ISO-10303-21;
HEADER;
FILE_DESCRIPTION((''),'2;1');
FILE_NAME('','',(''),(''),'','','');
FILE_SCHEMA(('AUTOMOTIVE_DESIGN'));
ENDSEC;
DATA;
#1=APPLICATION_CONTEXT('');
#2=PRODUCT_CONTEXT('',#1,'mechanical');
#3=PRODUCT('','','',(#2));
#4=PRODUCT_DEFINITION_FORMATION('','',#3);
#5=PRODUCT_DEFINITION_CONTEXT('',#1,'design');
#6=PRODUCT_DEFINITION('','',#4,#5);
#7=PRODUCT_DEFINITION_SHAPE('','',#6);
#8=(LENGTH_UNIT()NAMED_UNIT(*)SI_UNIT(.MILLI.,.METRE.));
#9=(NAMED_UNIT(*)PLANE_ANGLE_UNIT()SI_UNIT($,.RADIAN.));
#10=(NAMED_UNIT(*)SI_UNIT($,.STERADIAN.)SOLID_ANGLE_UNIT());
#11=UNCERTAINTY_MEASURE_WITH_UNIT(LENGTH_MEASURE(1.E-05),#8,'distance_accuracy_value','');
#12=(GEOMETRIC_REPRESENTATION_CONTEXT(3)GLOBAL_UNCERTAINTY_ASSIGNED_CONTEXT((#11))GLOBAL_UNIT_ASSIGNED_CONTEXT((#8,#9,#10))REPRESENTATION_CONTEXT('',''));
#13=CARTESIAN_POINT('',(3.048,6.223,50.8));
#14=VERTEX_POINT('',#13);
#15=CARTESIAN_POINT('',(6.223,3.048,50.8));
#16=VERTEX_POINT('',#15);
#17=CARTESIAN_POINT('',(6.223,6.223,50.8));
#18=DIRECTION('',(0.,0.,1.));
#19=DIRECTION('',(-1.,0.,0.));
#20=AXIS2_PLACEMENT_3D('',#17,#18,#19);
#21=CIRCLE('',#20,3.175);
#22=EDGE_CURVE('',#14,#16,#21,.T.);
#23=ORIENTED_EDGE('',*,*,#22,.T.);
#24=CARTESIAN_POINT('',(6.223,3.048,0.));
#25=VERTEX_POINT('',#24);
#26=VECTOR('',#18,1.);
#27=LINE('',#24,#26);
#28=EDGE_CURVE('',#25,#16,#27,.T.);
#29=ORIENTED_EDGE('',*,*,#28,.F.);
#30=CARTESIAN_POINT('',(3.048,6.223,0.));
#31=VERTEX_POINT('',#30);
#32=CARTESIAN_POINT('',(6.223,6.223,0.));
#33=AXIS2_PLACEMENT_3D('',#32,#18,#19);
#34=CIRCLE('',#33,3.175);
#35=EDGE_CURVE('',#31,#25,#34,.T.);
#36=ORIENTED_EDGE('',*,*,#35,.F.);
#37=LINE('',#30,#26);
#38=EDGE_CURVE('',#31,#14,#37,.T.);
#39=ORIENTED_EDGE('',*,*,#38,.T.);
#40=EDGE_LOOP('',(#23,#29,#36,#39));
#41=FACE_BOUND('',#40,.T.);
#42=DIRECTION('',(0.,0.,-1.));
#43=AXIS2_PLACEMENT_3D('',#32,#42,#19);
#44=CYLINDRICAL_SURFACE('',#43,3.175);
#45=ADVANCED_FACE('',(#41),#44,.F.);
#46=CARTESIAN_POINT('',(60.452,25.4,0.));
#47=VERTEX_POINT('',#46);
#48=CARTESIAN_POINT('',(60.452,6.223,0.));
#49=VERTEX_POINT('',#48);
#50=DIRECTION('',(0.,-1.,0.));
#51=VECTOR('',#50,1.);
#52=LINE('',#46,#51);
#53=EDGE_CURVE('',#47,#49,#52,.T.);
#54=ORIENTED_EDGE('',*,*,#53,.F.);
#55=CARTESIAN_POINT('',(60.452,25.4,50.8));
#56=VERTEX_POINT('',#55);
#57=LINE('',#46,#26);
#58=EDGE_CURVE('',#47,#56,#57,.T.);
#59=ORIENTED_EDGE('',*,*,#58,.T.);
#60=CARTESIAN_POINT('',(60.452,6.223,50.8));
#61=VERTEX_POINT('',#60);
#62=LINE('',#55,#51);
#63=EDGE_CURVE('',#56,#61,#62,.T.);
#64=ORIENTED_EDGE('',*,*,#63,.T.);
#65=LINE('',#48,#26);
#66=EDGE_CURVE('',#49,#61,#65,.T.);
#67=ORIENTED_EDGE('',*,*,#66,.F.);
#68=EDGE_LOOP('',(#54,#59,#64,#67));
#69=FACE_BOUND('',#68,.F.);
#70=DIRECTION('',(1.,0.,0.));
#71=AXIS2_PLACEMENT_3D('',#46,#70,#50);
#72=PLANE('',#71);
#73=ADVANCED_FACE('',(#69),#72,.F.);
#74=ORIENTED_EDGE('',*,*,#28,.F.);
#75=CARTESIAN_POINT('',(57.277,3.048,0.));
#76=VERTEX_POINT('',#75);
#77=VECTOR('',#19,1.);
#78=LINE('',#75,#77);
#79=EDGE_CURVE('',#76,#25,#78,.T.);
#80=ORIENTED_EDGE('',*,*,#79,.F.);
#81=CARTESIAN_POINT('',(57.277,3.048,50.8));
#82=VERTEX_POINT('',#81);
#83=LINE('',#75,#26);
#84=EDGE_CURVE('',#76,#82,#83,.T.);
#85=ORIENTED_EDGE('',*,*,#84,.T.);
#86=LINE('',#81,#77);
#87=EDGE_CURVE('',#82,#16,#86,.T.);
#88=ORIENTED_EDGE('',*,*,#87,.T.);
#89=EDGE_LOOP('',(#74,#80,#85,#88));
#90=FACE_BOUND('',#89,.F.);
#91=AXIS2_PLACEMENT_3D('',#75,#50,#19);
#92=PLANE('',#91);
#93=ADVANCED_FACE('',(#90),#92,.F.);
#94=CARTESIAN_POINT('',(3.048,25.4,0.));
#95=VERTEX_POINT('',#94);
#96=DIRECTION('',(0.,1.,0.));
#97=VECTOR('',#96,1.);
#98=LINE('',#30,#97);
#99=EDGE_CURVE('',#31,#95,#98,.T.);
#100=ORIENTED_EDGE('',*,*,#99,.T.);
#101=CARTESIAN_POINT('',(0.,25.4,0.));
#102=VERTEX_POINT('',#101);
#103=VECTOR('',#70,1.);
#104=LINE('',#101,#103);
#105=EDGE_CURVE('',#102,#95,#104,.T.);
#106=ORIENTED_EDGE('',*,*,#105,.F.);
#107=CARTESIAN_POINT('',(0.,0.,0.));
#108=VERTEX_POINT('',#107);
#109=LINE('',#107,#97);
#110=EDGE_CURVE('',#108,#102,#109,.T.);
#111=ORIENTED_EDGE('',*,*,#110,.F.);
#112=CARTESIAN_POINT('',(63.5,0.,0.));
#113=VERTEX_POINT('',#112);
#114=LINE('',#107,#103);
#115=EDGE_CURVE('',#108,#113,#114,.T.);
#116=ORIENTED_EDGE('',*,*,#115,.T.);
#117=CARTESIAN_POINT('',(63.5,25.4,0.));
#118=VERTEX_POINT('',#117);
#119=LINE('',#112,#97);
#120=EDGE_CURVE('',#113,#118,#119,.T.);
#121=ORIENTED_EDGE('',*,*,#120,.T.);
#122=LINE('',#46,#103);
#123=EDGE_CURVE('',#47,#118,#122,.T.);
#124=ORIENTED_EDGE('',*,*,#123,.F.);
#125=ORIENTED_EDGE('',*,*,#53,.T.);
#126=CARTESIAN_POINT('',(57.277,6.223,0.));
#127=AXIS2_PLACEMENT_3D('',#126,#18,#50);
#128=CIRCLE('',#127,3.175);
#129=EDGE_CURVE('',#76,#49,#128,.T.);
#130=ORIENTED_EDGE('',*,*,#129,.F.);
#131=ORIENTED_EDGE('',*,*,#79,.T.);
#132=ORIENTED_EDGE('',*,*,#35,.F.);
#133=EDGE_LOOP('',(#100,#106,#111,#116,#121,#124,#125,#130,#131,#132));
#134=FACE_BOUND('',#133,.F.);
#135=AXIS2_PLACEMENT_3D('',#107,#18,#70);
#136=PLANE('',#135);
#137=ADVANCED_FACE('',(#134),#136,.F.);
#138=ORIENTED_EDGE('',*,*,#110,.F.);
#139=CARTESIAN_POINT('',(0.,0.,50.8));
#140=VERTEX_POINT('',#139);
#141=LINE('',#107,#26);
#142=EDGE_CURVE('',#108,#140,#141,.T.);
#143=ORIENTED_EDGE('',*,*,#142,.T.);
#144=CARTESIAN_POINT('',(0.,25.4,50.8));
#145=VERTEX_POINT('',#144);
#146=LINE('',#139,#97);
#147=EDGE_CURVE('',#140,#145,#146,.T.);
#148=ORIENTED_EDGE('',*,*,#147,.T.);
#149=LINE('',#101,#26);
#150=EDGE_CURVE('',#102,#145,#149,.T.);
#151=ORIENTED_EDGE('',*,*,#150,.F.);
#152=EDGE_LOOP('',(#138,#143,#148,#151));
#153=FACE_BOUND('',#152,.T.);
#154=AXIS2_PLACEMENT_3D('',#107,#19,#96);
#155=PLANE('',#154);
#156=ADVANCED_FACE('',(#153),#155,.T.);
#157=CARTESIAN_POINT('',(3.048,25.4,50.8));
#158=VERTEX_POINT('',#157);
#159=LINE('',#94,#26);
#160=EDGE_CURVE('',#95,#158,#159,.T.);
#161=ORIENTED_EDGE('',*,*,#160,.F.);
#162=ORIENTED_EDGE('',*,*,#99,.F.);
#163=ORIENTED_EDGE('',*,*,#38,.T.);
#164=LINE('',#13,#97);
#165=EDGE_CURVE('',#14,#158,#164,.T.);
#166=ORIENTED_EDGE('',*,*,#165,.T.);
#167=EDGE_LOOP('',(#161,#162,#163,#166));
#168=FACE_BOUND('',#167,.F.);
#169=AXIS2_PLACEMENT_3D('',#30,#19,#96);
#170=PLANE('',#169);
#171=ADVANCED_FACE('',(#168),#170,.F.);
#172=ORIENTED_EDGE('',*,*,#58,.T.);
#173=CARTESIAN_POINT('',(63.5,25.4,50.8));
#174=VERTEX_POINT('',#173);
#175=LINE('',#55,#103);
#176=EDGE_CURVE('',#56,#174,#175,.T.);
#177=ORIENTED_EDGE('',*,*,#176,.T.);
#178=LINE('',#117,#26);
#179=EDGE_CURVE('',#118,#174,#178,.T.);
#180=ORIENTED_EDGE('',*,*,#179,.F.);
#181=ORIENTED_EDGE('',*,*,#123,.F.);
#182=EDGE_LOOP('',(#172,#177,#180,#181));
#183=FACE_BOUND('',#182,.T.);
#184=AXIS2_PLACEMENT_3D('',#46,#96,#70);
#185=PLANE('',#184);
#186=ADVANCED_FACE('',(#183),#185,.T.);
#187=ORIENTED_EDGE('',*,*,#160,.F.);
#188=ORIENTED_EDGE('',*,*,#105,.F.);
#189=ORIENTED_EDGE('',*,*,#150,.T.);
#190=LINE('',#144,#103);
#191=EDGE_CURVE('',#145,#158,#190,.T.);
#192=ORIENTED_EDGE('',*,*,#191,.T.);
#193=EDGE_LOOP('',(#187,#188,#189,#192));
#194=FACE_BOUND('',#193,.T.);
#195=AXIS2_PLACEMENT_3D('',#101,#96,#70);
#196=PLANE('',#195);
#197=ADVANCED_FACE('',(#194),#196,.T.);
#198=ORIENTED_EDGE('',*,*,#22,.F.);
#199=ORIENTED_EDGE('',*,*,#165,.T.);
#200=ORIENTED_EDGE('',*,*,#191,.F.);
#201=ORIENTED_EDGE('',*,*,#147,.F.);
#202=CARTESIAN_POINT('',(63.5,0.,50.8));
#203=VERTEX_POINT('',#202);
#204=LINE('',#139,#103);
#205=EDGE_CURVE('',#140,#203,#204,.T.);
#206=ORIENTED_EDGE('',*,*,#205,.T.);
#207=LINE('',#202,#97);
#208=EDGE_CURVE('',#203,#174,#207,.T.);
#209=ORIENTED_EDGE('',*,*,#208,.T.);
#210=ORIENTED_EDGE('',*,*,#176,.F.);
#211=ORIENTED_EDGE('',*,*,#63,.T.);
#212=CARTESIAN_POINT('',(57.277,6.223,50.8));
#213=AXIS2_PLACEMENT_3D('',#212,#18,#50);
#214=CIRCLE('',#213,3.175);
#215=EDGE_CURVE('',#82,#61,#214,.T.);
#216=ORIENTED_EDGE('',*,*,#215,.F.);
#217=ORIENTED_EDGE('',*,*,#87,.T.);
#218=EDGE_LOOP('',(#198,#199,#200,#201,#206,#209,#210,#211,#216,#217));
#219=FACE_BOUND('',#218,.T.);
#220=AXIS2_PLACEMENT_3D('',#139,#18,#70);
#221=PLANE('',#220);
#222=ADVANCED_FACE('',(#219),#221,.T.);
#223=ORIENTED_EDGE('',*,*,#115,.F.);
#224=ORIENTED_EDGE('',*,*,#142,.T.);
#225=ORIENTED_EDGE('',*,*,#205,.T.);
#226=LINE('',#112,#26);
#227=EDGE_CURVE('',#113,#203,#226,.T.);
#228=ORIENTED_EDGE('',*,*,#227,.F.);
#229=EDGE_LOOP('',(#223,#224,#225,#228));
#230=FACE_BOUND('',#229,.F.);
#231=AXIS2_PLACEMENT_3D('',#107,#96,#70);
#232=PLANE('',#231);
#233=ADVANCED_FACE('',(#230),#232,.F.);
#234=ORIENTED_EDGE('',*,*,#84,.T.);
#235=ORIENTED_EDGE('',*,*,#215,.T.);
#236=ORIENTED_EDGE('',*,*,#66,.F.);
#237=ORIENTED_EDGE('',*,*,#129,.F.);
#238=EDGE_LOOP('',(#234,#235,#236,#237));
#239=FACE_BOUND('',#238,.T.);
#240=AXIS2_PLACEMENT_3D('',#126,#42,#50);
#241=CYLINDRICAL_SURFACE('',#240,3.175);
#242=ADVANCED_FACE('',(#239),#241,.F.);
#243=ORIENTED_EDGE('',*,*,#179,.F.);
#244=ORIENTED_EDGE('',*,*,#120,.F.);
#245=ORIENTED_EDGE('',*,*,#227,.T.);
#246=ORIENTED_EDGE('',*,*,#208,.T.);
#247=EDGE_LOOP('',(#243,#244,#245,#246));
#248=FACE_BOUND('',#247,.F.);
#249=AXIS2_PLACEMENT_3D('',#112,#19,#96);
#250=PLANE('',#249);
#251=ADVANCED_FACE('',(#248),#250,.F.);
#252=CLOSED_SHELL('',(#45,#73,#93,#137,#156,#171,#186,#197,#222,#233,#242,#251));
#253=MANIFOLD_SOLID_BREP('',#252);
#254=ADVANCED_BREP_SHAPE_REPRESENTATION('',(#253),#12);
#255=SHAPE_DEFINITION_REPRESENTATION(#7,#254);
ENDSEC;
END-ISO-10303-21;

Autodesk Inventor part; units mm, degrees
ref_plane "YZ Plane" through (0, 0, 0) normal (1, 0, 0) x (0, 1, 0)
ref_plane "XZ Plane" through (0, 0, 0) normal (0, 1, 0) x (-1, 0, 0)
ref_plane "XY Plane" through (0, 0, 0) normal (0, 0, 1) x (1, 0, 0)
sketch "Sketch1" plane through (0, 0, 0) normal (0, 0, 1) x (1, 0, 0)
  line L0 (0, 0) -> (63.5, 0)
  line L1 (0, 0) -> (0, 25.4)
  line L2 (63.5, 0) -> (63.5, 25.4)
  line L3 (60.452, 25.4) -> (60.452, 6.223)
  line L4 (57.277, 3.048) -> (6.223, 3.048)
  line L5 (3.048, 6.223) -> (3.048, 25.4)
  line L6 (0, 25.4) -> (3.048, 25.4)
  line L7 (60.452, 25.4) -> (63.5, 25.4)
  arc A0 (3.048, 6.223) -> (6.223, 3.048) centre (6.223, 6.223) ccw
  arc A1 (57.277, 3.048) -> (60.452, 6.223) centre (57.277, 6.223) ccw
  dimension "d0" = 63.5
  dimension "d1" = 25.4
  dimension "d2" = 3.048
  dimension "d3" = 3.175
extrude "Extrusion1" add sketch "Sketch1" along normal blind 50.8
properties part number "2p1ch37" material "Steel, Galvanized"
